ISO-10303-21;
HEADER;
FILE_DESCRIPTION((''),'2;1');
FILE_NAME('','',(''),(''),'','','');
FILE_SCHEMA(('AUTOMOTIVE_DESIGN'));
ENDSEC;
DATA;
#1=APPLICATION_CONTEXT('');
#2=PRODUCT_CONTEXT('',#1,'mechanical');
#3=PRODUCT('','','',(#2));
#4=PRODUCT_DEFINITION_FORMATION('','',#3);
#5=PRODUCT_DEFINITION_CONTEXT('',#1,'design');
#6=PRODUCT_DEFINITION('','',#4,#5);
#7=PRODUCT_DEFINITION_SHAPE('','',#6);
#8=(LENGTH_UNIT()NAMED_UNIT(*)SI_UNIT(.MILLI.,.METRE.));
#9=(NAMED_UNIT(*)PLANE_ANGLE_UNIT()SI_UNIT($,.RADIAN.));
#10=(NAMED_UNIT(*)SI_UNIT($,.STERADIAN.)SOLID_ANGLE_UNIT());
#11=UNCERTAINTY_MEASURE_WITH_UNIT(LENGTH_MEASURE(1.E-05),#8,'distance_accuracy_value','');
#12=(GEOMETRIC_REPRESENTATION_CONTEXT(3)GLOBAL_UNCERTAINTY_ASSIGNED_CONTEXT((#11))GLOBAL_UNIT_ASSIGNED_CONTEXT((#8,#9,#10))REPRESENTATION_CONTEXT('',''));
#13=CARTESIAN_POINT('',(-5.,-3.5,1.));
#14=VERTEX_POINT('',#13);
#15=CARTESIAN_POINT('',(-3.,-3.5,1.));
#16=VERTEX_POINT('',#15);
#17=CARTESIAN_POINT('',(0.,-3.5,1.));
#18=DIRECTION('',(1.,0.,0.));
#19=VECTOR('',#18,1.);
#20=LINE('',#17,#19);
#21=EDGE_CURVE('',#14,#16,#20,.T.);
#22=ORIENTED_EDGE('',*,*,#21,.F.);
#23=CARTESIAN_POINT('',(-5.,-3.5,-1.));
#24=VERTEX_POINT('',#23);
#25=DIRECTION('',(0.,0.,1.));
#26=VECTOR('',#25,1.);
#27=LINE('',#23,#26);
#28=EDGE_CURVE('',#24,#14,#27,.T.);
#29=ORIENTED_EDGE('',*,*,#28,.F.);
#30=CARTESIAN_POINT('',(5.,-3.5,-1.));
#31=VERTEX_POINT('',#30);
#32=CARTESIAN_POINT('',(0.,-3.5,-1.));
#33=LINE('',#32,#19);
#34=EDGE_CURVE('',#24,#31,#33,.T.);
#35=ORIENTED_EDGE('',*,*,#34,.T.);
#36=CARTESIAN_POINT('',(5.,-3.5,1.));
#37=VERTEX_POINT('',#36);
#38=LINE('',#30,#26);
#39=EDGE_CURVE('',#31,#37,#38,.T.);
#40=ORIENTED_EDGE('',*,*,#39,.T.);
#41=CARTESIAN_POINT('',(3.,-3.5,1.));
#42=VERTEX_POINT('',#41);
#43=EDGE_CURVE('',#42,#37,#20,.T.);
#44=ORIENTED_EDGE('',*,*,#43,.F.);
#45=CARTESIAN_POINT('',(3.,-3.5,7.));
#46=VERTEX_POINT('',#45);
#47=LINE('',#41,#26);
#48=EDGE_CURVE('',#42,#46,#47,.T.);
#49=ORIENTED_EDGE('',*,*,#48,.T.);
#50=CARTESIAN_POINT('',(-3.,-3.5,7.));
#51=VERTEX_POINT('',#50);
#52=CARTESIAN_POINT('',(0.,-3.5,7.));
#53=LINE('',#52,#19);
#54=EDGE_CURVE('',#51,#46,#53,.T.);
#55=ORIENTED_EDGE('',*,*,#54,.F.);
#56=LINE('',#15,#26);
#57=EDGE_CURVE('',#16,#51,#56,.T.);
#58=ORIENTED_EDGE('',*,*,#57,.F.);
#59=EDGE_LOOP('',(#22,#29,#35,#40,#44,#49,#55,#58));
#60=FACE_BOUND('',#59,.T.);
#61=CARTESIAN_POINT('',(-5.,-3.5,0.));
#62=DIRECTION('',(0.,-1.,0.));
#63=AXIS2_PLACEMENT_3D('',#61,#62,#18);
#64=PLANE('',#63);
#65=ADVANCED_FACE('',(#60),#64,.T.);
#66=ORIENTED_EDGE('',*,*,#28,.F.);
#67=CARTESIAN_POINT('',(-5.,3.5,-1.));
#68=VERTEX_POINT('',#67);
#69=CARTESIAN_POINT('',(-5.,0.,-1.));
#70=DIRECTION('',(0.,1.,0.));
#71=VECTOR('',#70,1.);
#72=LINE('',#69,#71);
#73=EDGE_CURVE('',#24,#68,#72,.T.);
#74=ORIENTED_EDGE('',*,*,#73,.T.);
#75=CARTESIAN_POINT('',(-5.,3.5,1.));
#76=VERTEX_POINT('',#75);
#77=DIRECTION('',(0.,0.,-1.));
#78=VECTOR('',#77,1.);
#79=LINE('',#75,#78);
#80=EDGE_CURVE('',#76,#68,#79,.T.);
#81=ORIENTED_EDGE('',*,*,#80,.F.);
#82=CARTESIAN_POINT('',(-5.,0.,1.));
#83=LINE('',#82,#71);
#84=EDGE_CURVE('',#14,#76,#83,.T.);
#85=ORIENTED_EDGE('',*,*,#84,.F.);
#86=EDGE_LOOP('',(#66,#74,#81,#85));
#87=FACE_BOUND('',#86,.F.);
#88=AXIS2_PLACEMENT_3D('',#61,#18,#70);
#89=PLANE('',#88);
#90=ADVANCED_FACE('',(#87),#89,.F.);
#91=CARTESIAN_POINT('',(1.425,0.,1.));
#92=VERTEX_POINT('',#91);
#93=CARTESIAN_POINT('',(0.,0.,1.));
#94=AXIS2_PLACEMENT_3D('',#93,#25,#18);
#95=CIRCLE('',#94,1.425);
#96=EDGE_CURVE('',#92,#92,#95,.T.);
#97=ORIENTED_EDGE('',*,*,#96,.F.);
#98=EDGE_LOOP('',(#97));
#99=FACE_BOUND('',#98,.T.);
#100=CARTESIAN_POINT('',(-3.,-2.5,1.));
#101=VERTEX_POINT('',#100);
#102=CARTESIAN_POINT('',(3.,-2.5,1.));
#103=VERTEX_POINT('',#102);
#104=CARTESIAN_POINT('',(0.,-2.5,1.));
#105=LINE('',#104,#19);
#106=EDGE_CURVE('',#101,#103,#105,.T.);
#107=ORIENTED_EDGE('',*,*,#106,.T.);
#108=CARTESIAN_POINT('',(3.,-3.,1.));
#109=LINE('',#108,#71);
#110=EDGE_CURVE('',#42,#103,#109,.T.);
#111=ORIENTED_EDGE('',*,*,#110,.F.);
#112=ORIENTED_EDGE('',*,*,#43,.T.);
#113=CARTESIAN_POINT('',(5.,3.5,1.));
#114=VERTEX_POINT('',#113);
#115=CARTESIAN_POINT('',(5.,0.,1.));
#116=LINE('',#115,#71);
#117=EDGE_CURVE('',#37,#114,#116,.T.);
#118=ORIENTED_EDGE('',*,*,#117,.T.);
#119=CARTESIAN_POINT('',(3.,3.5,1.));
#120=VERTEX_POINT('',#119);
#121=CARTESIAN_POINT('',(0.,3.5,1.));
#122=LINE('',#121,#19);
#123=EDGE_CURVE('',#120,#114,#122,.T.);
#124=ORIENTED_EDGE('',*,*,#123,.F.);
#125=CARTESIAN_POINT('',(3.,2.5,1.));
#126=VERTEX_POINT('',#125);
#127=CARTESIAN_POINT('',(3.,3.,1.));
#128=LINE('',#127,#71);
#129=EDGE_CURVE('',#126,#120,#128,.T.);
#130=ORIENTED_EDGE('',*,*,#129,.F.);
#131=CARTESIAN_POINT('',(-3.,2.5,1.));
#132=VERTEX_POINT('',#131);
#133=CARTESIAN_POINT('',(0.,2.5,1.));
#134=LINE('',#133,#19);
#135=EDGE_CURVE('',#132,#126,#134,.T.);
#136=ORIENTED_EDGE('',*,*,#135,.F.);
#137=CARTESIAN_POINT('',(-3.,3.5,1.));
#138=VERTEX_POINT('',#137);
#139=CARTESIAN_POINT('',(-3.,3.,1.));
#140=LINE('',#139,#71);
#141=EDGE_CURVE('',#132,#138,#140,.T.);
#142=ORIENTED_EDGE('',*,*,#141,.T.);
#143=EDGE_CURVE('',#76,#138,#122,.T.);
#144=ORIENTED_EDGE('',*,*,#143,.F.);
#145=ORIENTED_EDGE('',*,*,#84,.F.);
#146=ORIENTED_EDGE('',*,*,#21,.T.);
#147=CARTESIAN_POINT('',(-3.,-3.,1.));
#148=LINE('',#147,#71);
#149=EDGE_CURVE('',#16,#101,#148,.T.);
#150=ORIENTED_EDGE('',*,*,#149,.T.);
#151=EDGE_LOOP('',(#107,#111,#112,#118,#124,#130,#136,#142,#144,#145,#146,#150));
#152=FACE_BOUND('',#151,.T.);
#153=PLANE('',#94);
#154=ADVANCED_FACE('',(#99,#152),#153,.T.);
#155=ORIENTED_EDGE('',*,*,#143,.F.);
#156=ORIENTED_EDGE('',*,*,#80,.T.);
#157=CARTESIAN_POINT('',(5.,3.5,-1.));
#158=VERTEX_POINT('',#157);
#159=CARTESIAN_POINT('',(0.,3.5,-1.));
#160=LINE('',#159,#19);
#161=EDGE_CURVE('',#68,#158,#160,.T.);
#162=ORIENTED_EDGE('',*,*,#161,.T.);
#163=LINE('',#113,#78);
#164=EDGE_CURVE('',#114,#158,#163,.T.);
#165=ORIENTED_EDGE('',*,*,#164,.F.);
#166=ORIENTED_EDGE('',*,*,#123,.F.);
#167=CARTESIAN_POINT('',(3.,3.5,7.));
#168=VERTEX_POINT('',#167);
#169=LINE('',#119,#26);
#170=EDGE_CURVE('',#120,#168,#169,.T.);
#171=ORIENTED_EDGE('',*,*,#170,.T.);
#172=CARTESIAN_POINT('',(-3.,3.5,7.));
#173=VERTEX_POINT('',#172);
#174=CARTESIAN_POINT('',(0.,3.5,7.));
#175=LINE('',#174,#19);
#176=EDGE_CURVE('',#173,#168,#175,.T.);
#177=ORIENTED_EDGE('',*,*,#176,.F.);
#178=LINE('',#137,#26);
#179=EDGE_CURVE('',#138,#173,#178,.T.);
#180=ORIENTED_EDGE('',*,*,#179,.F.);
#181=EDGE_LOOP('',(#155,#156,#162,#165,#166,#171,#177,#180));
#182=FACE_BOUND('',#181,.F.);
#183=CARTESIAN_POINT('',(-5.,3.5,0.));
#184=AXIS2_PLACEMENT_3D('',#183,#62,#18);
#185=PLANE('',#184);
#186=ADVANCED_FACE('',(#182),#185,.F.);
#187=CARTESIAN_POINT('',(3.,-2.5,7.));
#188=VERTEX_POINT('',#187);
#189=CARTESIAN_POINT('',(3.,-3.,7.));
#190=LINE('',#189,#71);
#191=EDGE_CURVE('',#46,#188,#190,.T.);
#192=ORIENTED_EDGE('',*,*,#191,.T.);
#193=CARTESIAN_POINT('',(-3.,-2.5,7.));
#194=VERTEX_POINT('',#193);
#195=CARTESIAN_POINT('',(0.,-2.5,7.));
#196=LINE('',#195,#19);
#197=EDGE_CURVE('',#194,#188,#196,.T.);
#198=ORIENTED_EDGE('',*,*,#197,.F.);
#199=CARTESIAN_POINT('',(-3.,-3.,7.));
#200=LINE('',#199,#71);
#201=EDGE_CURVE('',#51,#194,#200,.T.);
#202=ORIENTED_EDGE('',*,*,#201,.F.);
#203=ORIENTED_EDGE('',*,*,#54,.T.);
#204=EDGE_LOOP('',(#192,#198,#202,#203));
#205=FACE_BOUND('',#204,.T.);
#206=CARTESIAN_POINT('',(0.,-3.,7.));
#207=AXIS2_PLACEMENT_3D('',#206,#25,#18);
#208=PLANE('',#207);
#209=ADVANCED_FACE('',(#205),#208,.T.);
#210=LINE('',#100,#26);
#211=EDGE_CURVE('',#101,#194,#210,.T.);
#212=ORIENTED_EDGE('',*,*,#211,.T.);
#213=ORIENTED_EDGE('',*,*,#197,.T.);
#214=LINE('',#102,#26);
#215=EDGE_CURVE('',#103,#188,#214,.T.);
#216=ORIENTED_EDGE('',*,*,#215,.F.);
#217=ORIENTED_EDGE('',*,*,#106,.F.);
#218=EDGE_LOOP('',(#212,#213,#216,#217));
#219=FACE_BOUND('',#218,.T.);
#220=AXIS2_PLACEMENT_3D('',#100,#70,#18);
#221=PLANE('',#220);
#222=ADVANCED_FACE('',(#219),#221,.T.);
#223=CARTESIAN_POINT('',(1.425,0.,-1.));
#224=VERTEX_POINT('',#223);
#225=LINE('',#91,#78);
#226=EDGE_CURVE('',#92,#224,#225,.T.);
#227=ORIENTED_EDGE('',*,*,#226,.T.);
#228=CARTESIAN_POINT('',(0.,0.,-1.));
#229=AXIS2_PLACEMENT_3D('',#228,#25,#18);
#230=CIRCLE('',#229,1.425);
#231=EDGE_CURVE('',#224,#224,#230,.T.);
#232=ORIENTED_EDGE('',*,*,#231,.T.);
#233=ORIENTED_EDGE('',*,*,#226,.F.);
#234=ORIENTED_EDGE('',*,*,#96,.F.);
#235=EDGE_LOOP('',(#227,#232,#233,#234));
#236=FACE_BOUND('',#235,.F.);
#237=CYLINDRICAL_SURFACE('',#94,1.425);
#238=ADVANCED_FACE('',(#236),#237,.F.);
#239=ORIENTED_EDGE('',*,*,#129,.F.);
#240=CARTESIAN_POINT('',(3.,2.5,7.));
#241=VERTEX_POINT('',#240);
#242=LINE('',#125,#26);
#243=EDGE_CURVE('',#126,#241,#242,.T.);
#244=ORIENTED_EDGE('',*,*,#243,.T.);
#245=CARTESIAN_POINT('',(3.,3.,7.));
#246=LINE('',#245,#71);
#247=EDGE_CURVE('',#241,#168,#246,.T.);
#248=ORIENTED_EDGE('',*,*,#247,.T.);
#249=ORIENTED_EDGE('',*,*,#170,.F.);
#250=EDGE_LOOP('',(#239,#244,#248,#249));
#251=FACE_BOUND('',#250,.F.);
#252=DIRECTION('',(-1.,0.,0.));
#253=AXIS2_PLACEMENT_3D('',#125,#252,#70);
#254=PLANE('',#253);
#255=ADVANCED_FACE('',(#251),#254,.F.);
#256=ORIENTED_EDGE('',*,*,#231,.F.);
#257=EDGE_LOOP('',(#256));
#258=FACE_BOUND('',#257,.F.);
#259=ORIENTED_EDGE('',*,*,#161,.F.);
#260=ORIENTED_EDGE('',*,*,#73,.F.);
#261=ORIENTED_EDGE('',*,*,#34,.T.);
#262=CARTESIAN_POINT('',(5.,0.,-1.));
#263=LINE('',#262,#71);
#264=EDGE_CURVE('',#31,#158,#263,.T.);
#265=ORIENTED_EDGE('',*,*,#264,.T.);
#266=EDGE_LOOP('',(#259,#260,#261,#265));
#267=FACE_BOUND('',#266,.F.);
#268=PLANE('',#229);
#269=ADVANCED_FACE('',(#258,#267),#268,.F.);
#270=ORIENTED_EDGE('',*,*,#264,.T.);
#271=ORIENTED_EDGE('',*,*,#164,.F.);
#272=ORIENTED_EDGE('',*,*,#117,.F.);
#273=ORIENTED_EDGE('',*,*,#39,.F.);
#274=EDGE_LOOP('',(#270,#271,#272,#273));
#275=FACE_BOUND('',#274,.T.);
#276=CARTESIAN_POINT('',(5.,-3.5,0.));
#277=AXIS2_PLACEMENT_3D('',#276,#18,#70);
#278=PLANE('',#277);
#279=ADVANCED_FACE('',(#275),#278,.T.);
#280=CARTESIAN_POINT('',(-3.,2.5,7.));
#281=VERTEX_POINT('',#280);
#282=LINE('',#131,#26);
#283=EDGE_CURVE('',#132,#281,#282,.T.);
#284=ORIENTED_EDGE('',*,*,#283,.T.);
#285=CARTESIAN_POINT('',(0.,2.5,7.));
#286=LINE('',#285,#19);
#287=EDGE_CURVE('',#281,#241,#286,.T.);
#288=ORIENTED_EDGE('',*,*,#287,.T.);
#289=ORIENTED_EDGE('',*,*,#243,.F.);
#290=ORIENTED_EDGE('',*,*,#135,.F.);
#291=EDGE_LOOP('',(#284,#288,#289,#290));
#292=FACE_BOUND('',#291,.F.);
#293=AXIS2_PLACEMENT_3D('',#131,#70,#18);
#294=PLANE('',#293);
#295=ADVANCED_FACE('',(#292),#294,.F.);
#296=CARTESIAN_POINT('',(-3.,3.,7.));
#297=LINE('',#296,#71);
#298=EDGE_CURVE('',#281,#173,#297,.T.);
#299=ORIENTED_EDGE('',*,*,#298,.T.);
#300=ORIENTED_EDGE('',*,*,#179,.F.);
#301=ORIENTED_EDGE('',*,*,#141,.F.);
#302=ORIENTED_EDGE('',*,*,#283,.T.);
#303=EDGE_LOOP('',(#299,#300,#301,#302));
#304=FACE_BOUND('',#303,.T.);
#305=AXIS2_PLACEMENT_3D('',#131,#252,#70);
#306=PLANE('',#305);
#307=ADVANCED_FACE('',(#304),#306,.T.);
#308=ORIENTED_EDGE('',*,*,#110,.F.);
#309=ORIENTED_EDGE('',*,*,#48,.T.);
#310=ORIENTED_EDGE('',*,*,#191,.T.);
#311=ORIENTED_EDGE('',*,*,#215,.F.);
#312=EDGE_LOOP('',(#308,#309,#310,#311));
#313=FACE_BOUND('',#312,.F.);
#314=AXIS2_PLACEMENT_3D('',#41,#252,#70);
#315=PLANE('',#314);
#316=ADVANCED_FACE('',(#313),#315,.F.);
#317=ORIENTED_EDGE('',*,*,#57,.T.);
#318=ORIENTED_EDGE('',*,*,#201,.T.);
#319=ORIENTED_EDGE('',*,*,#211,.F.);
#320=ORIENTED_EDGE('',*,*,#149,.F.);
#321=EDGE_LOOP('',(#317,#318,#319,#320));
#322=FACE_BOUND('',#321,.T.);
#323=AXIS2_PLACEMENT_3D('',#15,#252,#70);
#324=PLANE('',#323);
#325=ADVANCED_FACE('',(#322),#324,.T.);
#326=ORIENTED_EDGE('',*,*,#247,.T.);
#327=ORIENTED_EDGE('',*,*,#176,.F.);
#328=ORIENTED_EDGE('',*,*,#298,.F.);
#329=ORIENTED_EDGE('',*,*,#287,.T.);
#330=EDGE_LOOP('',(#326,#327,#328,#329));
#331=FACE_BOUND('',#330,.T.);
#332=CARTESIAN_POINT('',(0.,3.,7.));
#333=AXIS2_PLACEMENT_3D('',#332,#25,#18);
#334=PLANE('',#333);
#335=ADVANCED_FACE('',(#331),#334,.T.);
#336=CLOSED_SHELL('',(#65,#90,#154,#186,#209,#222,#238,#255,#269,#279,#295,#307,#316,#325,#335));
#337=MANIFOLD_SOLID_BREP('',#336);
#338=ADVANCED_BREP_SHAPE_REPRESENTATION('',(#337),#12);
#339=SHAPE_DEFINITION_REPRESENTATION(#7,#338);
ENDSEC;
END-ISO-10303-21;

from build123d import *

# Parameters (mm, degrees)
SKETCH2_W           = 10
SKETCH2_H           = 7
BOSS_EXTRUDE1_DEPTH = 1
SKETCH3_R           = 1.425
CUT_EXTRUDE1_DEPTH  = 3
SKETCH4_W           = 6
SKETCH4_H           = 1
BOSS_EXTRUDE2_DEPTH = 6


with BuildPart() as part:
    # Sketch2 → Boss-Extrude1 (new body, symmetric)
    with BuildSketch(Plane.XY):
        Rectangle(SKETCH2_W, SKETCH2_H)
    extrude(amount=BOSS_EXTRUDE1_DEPTH, both=True)

    # Sketch3 → Cut-Extrude1 (cut, through all)
    with BuildSketch(Plane.XY.offset(1)):
        Circle(SKETCH3_R)
    extrude(amount=-CUT_EXTRUDE1_DEPTH, mode=Mode.SUBTRACT)

    # Sketch4 → Boss-Extrude2 (add)
    with BuildSketch(Plane.XY.offset(1)):
        with Locations((0, 3)):
            Rectangle(SKETCH4_W, SKETCH4_H)
        with Locations((0, -3)):
            Rectangle(SKETCH4_W, SKETCH4_H)
    extrude(amount=BOSS_EXTRUDE2_DEPTH)


solid = part.part
